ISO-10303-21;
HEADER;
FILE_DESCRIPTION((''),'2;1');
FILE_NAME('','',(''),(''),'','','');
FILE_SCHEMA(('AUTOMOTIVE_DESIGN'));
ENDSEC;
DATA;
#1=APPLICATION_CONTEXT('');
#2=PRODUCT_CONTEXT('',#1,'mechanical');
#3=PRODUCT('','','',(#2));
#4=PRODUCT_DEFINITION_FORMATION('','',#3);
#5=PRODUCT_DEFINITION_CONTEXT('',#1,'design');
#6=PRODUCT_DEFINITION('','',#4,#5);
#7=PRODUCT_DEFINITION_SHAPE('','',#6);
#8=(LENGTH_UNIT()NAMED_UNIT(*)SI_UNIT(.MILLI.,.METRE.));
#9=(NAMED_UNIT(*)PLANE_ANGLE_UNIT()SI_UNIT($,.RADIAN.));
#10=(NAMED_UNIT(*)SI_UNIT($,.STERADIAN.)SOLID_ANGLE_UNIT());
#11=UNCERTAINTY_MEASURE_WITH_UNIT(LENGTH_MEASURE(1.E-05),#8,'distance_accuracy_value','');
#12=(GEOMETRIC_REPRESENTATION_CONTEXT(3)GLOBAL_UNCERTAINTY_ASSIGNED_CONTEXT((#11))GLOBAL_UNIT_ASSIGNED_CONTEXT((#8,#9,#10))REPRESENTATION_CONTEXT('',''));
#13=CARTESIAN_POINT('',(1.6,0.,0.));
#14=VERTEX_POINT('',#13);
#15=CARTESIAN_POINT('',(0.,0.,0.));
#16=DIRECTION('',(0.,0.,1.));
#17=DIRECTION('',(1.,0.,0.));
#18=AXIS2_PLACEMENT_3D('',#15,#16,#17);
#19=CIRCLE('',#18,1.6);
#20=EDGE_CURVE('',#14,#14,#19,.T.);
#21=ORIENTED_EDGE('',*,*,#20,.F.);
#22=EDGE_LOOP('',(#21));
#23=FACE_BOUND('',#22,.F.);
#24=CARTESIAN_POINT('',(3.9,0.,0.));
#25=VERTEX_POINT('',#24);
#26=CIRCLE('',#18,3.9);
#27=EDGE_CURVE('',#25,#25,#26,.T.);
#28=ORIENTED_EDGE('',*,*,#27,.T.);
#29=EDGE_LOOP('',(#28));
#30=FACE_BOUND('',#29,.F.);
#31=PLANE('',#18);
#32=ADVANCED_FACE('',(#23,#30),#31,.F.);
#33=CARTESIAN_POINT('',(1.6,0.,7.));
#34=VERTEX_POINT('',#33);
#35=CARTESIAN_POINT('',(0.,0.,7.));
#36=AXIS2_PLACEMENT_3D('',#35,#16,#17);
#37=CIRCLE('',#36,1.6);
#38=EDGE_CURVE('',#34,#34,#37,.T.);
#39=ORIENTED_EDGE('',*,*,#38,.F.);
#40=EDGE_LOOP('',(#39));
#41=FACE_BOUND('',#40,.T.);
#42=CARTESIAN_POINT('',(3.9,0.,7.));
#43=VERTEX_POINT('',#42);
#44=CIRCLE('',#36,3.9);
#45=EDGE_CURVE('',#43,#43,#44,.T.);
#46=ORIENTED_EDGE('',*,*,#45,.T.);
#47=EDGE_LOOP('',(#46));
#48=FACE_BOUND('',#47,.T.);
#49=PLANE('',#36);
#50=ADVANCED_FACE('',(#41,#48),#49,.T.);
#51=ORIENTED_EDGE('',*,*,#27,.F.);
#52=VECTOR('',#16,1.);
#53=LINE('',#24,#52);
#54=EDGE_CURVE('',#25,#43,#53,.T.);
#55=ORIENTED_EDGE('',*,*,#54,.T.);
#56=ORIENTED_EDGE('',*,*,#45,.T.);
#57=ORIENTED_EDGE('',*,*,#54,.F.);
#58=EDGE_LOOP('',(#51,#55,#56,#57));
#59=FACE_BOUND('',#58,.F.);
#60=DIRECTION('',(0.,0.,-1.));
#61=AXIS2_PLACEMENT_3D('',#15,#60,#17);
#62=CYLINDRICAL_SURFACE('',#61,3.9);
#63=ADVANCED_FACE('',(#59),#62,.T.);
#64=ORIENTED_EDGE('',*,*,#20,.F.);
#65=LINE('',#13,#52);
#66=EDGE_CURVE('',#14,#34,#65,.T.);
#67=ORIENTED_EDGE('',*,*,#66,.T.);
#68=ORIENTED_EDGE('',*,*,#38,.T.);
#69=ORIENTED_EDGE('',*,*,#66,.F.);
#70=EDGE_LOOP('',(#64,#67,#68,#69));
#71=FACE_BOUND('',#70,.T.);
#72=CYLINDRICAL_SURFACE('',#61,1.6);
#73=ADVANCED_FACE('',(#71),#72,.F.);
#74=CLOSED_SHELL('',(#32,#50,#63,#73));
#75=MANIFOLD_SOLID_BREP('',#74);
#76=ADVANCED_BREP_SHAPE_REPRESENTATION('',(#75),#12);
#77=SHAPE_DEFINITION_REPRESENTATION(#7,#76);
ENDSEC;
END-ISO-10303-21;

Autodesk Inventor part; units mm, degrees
ref_plane "YZ Plane" through (0, 0, 0) normal (1, 0, 0) x (0, 1, 0)
ref_plane "XZ Plane" through (0, 0, 0) normal (0, 1, 0) x (-1, 0, 0)
ref_plane "XY Plane" through (0, 0, 0) normal (0, 0, 1) x (1, 0, 0)
sketch "Sketch1" plane through (0, 0, 0) normal (0, 0, 1) x (1, 0, 0)
  circle A0 centre (0, 0) radius 3.9
  circle A1 centre (0, 0) radius 1.6
  dimension "d0" = 7.8
  dimension "d2" = 3.2
extrude "Extrusion1" add sketch "Sketch1" along normal blind 7
properties part number "SPACER"
